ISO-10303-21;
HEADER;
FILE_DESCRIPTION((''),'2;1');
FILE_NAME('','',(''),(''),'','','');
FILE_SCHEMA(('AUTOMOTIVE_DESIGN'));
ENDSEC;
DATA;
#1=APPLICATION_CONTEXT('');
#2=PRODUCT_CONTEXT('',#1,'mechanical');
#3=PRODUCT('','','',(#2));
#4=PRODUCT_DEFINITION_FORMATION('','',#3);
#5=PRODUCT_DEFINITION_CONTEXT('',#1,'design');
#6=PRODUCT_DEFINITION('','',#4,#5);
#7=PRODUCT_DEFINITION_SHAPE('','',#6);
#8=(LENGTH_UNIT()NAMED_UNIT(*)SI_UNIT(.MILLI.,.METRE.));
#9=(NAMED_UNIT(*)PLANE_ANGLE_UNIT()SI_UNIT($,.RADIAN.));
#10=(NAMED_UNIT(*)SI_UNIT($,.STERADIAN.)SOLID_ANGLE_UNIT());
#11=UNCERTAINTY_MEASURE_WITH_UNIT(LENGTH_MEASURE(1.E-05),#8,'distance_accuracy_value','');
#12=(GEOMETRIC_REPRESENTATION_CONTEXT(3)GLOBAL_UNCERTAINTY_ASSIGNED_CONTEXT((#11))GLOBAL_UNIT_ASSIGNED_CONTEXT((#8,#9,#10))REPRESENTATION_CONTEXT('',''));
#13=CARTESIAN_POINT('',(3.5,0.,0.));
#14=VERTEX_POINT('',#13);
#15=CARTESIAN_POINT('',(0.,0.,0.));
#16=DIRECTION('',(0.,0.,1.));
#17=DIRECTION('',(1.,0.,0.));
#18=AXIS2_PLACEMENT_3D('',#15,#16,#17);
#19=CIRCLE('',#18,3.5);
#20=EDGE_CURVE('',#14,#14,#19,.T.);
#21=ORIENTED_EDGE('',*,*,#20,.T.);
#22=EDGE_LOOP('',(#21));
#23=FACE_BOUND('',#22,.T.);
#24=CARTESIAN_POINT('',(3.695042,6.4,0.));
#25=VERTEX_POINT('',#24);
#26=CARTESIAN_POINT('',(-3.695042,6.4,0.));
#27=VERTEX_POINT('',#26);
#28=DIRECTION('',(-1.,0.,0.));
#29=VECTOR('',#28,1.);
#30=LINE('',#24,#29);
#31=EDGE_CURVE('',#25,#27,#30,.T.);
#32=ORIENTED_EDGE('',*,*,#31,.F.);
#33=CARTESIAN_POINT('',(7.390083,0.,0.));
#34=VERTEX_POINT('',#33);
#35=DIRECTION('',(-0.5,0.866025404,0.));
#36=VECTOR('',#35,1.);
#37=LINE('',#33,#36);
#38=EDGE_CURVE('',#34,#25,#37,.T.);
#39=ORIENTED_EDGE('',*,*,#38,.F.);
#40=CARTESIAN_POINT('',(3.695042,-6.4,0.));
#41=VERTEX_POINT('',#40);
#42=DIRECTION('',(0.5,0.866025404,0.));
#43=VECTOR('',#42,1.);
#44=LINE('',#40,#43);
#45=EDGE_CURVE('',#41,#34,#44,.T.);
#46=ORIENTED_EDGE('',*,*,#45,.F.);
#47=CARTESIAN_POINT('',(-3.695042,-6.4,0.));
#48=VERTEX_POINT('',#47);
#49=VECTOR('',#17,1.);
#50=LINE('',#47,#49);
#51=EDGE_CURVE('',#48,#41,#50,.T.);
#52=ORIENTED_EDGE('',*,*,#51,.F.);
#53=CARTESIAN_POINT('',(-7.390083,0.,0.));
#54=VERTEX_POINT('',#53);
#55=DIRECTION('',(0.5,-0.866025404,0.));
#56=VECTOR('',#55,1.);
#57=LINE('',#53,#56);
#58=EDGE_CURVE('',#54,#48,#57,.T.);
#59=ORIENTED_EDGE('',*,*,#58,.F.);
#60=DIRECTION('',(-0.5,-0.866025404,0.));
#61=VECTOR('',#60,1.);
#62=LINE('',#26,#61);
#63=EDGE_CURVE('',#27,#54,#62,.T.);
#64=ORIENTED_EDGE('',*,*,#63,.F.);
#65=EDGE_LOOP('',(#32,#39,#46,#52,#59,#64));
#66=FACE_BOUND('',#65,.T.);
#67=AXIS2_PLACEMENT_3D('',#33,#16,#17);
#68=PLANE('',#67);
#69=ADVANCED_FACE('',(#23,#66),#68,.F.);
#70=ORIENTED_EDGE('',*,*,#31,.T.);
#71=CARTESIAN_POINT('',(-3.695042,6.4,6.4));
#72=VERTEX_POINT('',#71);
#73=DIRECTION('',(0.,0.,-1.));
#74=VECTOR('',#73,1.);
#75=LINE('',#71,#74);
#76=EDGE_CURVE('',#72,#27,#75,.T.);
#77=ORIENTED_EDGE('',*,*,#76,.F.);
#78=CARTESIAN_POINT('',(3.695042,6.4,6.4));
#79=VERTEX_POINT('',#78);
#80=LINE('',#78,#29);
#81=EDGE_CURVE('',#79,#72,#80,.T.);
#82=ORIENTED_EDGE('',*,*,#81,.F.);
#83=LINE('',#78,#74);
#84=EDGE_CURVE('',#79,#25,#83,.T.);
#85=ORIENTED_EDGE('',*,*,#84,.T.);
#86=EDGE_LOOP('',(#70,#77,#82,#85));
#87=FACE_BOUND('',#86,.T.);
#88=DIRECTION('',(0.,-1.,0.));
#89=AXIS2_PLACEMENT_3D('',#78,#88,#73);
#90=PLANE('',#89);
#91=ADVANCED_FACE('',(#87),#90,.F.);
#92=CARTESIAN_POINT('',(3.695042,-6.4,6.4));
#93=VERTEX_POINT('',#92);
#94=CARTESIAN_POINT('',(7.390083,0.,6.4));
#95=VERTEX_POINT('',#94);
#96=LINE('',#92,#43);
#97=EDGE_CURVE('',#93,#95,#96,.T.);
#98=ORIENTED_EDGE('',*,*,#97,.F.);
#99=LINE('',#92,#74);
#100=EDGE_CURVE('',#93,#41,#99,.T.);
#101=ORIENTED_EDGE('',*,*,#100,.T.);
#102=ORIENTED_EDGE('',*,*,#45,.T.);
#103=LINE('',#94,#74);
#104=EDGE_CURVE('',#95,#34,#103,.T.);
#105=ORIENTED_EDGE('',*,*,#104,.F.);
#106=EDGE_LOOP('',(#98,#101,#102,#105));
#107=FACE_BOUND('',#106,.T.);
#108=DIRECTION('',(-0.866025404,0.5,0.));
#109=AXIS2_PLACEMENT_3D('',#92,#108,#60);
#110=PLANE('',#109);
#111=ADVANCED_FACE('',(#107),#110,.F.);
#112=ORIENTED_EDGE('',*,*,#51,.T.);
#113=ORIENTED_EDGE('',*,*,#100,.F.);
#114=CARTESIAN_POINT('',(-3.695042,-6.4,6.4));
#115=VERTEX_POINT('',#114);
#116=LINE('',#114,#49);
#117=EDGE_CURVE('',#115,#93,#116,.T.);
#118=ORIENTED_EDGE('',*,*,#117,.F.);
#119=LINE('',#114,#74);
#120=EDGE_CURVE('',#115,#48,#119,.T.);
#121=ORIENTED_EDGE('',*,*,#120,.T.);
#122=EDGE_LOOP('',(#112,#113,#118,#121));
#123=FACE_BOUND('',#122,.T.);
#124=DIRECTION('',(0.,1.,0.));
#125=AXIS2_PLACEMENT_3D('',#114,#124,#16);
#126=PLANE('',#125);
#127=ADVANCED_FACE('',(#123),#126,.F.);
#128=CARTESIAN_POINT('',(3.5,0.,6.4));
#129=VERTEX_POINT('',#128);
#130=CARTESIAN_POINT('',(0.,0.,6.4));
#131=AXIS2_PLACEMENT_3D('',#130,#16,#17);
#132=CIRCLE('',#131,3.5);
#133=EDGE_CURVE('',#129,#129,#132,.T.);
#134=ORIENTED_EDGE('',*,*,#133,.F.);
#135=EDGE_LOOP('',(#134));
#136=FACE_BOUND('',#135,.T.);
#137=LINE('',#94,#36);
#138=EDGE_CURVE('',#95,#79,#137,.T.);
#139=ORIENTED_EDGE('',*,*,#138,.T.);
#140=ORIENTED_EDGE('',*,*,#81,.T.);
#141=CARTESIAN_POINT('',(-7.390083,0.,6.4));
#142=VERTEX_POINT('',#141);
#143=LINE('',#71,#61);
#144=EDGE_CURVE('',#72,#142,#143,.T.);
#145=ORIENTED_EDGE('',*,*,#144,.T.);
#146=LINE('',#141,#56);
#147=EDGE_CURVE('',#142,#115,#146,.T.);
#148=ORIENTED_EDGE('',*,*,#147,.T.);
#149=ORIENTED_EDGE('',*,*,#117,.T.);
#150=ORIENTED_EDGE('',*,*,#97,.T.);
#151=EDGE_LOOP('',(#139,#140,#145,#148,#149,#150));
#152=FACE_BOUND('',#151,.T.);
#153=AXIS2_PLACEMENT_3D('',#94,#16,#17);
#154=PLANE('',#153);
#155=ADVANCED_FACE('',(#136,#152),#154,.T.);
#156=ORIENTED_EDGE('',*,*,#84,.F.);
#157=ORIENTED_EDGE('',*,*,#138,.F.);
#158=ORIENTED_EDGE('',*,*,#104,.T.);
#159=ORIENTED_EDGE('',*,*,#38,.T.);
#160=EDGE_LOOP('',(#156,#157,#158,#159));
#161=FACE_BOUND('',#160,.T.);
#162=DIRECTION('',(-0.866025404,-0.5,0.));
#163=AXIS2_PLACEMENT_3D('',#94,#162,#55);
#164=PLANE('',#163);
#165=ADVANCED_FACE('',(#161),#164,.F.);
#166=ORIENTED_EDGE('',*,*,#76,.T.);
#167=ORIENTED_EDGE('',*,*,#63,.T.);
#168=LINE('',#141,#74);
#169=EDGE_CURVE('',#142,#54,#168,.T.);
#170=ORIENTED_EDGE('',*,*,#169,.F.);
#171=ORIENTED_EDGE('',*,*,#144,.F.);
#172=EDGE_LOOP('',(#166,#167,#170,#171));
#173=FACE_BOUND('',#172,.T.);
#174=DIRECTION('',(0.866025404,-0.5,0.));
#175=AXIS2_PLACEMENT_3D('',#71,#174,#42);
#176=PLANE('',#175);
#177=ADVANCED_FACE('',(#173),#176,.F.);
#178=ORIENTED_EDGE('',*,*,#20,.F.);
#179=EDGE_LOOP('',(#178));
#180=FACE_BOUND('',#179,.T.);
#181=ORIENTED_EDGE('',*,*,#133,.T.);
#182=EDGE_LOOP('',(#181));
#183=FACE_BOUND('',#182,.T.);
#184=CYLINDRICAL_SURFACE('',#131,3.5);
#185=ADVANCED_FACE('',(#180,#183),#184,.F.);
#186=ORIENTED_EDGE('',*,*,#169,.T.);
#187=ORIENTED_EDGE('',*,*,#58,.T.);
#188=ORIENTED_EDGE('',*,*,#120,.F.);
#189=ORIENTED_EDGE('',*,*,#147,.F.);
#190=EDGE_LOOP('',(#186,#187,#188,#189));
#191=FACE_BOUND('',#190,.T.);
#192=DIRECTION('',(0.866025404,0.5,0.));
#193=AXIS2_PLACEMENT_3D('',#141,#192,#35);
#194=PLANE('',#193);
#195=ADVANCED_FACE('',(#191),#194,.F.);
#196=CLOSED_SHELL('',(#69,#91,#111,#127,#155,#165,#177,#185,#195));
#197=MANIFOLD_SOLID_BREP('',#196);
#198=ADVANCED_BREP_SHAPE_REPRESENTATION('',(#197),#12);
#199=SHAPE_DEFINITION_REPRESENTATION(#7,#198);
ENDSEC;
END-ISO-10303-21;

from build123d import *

# Parameters (mm, degrees)
EXTRUDE1_DEPTH        = 6.4
M8X1_0_TAPPED_HOLE1_D = 7


with BuildPart() as part:
    # Sketch1 → Extrude1 (new body)
    with BuildSketch(Plane.XY):
        Polygon((7.390083446, 0), (3.695041723, 6.4), (-3.695041723, 6.4), (-7.390083446, 0), (-3.695041723, -6.4), (3.695041723, -6.4), align=None)
    extrude(amount=EXTRUDE1_DEPTH)

    # M8x1.0 Tapped Hole1 (through all)
    with Locations(Plane.XY.offset(6.4)):
        with Locations((0, 0)):
            Hole(M8X1_0_TAPPED_HOLE1_D / 2)


solid = part.part
